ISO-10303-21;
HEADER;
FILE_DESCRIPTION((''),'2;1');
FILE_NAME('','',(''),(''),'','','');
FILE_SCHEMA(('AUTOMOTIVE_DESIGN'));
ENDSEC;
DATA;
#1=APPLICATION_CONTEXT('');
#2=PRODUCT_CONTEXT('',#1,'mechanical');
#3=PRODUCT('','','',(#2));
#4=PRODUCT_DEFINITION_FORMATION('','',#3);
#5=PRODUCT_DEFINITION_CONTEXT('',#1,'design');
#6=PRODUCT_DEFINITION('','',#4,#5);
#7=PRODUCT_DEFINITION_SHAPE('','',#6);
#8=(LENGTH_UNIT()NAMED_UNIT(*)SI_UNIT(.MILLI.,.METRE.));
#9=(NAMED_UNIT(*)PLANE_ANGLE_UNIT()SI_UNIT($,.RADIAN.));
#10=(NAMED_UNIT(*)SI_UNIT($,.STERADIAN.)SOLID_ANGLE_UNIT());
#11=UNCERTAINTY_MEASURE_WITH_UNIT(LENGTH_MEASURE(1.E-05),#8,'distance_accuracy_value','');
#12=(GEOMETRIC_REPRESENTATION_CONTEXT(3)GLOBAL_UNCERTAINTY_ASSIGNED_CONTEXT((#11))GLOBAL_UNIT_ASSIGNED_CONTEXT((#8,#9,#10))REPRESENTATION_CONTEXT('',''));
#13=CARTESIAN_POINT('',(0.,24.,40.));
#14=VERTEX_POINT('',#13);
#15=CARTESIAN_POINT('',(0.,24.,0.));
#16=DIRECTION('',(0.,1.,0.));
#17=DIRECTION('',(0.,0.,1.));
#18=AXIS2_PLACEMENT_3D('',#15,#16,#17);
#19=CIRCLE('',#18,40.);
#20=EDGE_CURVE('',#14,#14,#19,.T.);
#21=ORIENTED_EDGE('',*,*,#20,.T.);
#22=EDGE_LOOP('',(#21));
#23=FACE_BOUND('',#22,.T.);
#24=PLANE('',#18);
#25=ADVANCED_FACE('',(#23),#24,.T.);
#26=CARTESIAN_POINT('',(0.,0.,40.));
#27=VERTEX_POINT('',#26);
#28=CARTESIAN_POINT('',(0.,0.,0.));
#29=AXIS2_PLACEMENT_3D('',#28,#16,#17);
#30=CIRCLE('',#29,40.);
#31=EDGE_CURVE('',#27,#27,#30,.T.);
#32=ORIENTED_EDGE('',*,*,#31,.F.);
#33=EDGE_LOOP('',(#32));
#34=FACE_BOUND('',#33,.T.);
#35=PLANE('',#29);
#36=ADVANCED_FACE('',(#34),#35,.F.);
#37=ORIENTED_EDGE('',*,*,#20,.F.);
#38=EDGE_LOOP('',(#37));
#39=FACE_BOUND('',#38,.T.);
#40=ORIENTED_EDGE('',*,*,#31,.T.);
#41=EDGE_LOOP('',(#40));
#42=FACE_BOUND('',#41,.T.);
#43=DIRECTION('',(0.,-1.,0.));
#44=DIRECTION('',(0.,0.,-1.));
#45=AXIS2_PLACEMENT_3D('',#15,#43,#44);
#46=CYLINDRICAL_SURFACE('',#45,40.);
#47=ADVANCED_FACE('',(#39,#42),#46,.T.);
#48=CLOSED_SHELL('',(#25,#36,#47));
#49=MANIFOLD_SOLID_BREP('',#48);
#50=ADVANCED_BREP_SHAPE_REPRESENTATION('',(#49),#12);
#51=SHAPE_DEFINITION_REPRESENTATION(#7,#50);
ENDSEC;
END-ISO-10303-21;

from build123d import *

# Parameters (mm, degrees)
ESQUISSE1_R        = 40
BOSS_EXTRU_1_DEPTH = 24


with BuildPart() as part:
    # Esquisse1 → Boss.-Extru.1 (new body)
    with BuildSketch(Plane(origin=(0, 0, 0), x_dir=(1, 0, 0), z_dir=(0, 1, 0))):
        Circle(ESQUISSE1_R)
    extrude(amount=BOSS_EXTRU_1_DEPTH)


solid = part.part
